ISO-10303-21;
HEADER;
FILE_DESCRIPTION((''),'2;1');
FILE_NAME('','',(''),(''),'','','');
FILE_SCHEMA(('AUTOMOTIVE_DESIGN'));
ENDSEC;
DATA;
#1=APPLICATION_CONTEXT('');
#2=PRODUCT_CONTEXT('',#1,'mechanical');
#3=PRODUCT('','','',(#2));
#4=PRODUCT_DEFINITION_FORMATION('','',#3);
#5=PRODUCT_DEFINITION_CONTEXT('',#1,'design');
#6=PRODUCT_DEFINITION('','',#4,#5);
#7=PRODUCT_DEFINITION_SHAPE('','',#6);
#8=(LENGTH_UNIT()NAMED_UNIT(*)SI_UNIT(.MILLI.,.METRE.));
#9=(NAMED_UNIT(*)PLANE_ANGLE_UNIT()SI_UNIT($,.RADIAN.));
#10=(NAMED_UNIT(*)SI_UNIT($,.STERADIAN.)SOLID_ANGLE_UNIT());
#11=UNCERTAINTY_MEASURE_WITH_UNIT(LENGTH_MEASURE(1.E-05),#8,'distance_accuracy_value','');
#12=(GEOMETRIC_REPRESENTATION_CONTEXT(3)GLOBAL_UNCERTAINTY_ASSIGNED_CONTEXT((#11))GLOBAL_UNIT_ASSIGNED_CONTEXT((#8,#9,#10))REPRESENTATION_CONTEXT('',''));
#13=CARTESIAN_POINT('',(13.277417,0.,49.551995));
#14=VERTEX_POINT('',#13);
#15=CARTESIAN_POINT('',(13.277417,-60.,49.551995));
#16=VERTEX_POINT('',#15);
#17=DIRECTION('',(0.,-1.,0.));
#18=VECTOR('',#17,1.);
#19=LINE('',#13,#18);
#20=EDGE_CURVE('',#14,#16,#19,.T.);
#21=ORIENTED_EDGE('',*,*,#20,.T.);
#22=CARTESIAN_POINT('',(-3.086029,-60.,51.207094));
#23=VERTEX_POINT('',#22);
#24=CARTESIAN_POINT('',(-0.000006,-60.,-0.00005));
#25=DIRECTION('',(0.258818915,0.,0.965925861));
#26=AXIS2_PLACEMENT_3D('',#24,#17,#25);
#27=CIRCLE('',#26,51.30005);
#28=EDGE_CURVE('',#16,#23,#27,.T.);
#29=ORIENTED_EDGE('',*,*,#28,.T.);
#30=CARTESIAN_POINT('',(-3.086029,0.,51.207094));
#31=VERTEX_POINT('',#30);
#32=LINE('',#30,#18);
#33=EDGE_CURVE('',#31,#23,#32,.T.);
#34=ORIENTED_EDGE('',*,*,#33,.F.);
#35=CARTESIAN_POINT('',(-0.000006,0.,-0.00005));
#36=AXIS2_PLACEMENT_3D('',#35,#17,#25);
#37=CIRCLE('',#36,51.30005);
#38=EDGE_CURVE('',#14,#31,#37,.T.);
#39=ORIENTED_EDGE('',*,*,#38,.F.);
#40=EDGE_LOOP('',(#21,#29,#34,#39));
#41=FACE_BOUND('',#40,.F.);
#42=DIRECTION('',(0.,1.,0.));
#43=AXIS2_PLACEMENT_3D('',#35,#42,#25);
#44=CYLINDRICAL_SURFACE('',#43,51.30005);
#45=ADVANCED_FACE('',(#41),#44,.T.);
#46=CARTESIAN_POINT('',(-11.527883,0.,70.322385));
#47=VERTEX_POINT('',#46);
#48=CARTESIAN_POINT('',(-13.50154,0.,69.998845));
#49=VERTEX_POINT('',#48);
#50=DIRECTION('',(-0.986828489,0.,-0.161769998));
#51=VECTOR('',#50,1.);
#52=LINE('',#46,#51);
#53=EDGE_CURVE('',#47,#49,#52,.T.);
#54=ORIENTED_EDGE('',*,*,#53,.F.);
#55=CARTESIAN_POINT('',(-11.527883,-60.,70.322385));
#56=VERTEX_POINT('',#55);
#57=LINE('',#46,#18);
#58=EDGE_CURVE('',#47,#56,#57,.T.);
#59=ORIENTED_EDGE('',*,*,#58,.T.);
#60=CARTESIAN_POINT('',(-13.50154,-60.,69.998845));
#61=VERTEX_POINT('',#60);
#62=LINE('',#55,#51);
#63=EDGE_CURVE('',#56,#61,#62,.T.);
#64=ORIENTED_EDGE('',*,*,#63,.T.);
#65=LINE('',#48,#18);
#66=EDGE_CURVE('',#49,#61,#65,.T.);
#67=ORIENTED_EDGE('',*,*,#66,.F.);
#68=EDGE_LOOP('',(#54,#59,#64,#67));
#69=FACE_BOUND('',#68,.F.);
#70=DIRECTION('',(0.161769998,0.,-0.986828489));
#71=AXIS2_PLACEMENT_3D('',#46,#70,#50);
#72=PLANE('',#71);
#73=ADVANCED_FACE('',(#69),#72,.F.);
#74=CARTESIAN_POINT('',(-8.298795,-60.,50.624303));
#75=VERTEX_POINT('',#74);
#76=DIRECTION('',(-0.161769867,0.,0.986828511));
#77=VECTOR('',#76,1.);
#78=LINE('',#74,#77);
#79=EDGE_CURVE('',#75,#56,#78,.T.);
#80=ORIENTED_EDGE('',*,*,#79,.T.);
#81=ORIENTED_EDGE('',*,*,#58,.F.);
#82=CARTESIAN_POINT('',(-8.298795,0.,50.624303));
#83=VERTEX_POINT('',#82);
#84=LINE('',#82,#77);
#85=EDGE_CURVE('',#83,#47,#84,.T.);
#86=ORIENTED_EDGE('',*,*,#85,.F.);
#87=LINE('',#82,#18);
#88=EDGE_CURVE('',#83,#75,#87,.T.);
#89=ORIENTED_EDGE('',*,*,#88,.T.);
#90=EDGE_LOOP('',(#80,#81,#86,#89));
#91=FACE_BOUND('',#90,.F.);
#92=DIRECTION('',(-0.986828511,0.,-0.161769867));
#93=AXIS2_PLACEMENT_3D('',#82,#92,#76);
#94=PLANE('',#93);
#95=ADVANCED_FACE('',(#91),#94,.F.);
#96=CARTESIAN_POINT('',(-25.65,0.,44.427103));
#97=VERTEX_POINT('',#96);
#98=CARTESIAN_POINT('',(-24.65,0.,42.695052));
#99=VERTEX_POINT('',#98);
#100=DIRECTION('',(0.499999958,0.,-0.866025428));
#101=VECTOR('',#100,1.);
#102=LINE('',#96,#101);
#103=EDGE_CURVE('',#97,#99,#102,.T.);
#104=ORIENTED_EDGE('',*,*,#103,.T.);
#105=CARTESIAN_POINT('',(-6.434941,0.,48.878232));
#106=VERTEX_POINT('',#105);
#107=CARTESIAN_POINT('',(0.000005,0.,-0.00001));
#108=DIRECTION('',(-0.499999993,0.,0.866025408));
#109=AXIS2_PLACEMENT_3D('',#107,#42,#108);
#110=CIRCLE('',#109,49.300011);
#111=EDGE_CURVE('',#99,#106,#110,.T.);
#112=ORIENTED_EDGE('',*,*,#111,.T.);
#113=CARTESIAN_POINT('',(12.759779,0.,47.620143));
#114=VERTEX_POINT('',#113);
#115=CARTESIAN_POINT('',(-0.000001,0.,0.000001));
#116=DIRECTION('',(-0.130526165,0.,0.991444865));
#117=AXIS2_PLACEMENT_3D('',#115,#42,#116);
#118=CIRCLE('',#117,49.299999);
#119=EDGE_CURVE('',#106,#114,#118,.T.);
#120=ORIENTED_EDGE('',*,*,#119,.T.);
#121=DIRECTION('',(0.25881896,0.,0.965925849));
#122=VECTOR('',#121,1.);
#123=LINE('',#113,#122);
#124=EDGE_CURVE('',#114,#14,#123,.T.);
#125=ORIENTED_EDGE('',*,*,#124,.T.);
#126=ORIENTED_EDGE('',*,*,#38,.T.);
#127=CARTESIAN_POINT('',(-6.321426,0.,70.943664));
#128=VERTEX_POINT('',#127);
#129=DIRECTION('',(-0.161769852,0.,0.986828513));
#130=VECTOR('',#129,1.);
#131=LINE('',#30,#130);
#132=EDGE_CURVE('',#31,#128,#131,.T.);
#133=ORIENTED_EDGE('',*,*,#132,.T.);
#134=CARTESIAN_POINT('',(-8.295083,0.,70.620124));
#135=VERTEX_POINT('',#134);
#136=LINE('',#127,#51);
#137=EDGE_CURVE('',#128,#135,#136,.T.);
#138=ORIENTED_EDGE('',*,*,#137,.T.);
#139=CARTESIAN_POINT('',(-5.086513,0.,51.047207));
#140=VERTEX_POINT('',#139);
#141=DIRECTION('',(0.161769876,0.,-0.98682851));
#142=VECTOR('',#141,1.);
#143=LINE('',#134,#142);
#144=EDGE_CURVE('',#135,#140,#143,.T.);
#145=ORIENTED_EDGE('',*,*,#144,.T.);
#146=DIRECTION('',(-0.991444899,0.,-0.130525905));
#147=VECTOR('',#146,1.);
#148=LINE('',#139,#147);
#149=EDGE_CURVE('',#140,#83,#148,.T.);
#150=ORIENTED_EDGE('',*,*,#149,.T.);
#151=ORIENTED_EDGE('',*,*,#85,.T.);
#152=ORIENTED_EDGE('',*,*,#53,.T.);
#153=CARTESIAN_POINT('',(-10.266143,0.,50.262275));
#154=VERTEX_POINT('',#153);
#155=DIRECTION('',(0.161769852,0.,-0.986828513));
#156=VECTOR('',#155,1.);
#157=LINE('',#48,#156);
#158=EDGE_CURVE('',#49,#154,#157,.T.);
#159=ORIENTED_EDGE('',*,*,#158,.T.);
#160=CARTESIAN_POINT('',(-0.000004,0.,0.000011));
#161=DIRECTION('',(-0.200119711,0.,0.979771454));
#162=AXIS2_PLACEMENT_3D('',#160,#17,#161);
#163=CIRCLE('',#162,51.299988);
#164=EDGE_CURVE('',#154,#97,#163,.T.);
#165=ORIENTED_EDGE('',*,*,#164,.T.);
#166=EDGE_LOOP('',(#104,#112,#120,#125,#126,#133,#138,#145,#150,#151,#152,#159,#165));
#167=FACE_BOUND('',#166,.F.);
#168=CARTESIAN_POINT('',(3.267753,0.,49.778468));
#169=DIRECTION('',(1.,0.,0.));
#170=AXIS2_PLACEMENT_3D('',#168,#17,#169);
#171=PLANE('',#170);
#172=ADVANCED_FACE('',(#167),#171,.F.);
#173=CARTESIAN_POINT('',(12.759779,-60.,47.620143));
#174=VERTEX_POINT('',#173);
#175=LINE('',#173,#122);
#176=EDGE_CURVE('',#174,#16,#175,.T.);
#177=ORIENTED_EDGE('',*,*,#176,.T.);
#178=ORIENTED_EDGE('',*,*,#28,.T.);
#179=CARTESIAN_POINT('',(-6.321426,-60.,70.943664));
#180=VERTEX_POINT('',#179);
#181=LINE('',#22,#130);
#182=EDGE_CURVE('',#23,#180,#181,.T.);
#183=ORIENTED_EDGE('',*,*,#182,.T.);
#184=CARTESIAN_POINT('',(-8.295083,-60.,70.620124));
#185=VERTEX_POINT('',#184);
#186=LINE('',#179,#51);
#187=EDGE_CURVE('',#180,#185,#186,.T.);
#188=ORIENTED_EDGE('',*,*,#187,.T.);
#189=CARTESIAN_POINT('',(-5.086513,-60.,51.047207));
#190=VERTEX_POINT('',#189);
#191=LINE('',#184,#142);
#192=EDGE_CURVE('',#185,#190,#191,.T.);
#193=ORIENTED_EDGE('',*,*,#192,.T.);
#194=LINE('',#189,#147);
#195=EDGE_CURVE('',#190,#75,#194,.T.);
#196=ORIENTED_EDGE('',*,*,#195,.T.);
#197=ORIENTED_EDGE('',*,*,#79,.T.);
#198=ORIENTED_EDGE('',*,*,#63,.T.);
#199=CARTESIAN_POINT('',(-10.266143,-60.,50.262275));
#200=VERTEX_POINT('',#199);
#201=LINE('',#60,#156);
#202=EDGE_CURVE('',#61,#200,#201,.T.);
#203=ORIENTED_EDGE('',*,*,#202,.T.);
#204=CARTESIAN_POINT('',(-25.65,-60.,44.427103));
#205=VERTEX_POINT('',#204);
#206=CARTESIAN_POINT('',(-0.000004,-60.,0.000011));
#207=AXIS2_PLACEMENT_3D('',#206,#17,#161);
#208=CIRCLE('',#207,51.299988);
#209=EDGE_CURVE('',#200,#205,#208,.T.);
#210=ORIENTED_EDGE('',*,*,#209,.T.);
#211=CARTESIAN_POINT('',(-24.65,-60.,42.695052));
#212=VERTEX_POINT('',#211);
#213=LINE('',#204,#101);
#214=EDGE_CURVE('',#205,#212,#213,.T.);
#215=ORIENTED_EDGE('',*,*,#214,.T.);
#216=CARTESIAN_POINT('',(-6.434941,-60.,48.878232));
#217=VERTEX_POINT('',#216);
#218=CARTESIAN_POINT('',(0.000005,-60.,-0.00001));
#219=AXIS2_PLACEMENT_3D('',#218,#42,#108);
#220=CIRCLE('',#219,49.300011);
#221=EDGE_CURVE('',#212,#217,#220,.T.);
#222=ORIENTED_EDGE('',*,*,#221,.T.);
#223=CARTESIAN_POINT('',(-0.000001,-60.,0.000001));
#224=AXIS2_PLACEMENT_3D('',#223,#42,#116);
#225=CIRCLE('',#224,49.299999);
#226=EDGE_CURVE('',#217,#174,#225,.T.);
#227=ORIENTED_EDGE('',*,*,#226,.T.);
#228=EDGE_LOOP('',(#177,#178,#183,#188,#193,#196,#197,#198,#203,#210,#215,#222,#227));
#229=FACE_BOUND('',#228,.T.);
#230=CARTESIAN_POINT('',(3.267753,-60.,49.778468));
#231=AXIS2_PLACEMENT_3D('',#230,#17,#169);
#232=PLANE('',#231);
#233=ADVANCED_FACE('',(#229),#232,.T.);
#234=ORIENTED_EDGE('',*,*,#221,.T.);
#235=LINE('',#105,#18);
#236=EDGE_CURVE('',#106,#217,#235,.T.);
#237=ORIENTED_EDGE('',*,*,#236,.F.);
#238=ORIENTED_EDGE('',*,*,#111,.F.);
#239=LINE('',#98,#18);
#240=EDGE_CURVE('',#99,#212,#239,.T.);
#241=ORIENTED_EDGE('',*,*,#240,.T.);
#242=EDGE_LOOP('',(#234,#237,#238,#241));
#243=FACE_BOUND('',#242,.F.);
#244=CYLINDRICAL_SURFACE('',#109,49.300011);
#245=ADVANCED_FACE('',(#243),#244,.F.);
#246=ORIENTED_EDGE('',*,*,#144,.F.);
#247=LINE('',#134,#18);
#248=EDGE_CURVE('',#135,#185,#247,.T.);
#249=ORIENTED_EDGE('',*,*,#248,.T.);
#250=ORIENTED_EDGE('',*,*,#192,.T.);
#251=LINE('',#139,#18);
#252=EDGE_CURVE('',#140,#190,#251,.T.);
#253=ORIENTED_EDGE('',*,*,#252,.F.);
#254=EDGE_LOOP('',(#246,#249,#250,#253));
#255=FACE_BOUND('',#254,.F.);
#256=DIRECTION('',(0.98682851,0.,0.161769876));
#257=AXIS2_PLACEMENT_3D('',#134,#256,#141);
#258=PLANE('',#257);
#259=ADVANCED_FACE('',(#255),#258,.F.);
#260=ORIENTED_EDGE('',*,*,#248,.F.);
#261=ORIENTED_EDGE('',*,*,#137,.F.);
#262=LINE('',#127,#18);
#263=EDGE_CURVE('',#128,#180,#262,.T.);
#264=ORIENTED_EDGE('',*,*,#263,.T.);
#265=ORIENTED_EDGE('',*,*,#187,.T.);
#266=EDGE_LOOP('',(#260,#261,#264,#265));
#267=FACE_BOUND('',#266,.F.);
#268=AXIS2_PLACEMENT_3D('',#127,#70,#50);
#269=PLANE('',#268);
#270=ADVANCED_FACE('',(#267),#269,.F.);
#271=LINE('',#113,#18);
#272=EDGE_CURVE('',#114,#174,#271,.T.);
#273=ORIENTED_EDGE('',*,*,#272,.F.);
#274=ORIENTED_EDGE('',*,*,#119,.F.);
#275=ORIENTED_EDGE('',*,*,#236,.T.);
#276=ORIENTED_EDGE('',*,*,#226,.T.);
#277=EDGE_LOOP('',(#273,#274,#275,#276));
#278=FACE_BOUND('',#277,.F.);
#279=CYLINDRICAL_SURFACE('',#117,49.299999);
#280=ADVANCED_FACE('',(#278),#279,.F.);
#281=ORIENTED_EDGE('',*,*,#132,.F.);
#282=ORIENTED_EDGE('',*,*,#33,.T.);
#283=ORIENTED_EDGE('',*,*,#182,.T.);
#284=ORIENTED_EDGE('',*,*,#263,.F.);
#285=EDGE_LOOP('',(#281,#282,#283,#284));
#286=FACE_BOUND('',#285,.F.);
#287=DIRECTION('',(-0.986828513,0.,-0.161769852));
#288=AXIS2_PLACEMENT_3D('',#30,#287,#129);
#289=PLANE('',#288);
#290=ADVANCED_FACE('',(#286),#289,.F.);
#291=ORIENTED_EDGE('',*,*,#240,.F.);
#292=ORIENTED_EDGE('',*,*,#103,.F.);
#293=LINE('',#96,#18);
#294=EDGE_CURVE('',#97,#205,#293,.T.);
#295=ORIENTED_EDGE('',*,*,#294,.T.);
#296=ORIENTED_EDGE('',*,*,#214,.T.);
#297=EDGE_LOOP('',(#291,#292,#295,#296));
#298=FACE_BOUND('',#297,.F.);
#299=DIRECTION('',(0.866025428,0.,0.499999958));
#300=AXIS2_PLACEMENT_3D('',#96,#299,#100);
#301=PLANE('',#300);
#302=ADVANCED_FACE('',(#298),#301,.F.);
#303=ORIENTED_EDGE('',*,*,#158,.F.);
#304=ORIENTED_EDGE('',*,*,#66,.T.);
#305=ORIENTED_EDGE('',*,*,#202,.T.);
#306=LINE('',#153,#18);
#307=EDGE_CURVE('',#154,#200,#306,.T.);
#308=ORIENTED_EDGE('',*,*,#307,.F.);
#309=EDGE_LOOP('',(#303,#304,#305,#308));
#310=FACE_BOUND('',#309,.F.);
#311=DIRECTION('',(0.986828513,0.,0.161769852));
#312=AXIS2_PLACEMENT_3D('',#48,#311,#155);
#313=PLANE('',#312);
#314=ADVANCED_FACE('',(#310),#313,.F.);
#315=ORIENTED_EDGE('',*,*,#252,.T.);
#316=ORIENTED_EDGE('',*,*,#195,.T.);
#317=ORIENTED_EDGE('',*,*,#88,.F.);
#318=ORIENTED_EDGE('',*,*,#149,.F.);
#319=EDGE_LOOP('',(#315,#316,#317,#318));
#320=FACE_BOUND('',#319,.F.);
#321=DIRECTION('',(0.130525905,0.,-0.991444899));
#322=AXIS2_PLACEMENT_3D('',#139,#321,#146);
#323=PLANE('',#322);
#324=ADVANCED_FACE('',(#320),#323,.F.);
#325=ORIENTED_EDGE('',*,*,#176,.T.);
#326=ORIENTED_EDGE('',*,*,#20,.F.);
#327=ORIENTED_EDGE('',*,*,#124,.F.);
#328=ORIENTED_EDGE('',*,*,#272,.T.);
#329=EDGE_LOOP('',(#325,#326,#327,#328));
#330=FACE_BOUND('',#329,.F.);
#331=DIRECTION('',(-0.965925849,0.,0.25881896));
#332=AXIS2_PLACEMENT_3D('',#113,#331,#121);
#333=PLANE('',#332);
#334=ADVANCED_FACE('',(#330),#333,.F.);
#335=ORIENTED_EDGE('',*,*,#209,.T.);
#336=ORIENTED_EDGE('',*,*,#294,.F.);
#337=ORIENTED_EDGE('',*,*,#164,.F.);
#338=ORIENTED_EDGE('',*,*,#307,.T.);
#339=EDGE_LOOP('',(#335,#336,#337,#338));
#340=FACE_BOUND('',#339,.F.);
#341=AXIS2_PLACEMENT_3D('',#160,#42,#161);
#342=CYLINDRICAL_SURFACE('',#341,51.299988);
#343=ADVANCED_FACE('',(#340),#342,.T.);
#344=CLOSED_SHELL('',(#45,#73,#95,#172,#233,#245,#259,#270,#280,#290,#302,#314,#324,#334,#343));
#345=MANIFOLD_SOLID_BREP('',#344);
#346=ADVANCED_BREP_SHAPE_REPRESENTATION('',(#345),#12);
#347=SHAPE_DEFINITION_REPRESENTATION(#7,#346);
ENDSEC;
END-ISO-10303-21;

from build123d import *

# Parameters (mm, degrees)
F1_DEPTH = 60


with BuildPart() as f1:
    # F0 (on Front) → F1 (new body)
    with BuildSketch(Plane.XZ):
        with BuildLine():
            ThreePointArc((-6.434941, 48.878232), (3.224374, 49.194445), (12.759779, 47.620143))
            Line((12.759779, 47.620143), (13.277417, 49.551995))
            ThreePointArc((13.277417, 49.551995), (5.162454, 51.039583), (-3.086029, 51.207094))
            ThreePointArc((-3.086029, 51.207094), (-4.087053, 51.136934), (-5.086513, 51.047207))
            Line((-5.086513, 51.047207), (-6.692654, 50.835755))
            Line((-6.692654, 50.835755), (-6.434941, 48.878232))
        make_face()
        with BuildLine():
            Line((-13.50154, 69.998845), (-10.266143, 50.262275))
            ThreePointArc((-10.266143, 50.262275), (-9.284233, 50.452879), (-8.298795, 50.624303))
            Line((-8.298795, 50.624303), (-11.527883, 70.322385))
            Line((-11.527883, 70.322385), (-13.50154, 69.998845))
        make_face()
        with BuildLine():
            ThreePointArc((-5.086513, 51.047207), (-4.087053, 51.136934), (-3.086029, 51.207094))
            Line((-3.086029, 51.207094), (-6.321426, 70.943664))
            Line((-6.321426, 70.943664), (-8.295083, 70.620124))
            Line((-8.295083, 70.620124), (-5.086513, 51.047207))
        make_face()
        with BuildLine():
            Line((-25.65, 44.427103), (-24.65, 42.695052))
            ThreePointArc((-24.65, 42.695052), (-15.846966, 46.683655), (-6.434941, 48.878232))
            Line((-6.434941, 48.878232), (-6.692654, 50.835755))
            Line((-6.692654, 50.835755), (-8.298795, 50.624303))
            ThreePointArc((-8.298795, 50.624303), (-9.284233, 50.452879), (-10.266143, 50.262275))
            ThreePointArc((-10.266143, 50.262275), (-18.193533, 47.96546), (-25.65, 44.427103))
        make_face()
    extrude(amount=F1_DEPTH)


solid = f1.part
